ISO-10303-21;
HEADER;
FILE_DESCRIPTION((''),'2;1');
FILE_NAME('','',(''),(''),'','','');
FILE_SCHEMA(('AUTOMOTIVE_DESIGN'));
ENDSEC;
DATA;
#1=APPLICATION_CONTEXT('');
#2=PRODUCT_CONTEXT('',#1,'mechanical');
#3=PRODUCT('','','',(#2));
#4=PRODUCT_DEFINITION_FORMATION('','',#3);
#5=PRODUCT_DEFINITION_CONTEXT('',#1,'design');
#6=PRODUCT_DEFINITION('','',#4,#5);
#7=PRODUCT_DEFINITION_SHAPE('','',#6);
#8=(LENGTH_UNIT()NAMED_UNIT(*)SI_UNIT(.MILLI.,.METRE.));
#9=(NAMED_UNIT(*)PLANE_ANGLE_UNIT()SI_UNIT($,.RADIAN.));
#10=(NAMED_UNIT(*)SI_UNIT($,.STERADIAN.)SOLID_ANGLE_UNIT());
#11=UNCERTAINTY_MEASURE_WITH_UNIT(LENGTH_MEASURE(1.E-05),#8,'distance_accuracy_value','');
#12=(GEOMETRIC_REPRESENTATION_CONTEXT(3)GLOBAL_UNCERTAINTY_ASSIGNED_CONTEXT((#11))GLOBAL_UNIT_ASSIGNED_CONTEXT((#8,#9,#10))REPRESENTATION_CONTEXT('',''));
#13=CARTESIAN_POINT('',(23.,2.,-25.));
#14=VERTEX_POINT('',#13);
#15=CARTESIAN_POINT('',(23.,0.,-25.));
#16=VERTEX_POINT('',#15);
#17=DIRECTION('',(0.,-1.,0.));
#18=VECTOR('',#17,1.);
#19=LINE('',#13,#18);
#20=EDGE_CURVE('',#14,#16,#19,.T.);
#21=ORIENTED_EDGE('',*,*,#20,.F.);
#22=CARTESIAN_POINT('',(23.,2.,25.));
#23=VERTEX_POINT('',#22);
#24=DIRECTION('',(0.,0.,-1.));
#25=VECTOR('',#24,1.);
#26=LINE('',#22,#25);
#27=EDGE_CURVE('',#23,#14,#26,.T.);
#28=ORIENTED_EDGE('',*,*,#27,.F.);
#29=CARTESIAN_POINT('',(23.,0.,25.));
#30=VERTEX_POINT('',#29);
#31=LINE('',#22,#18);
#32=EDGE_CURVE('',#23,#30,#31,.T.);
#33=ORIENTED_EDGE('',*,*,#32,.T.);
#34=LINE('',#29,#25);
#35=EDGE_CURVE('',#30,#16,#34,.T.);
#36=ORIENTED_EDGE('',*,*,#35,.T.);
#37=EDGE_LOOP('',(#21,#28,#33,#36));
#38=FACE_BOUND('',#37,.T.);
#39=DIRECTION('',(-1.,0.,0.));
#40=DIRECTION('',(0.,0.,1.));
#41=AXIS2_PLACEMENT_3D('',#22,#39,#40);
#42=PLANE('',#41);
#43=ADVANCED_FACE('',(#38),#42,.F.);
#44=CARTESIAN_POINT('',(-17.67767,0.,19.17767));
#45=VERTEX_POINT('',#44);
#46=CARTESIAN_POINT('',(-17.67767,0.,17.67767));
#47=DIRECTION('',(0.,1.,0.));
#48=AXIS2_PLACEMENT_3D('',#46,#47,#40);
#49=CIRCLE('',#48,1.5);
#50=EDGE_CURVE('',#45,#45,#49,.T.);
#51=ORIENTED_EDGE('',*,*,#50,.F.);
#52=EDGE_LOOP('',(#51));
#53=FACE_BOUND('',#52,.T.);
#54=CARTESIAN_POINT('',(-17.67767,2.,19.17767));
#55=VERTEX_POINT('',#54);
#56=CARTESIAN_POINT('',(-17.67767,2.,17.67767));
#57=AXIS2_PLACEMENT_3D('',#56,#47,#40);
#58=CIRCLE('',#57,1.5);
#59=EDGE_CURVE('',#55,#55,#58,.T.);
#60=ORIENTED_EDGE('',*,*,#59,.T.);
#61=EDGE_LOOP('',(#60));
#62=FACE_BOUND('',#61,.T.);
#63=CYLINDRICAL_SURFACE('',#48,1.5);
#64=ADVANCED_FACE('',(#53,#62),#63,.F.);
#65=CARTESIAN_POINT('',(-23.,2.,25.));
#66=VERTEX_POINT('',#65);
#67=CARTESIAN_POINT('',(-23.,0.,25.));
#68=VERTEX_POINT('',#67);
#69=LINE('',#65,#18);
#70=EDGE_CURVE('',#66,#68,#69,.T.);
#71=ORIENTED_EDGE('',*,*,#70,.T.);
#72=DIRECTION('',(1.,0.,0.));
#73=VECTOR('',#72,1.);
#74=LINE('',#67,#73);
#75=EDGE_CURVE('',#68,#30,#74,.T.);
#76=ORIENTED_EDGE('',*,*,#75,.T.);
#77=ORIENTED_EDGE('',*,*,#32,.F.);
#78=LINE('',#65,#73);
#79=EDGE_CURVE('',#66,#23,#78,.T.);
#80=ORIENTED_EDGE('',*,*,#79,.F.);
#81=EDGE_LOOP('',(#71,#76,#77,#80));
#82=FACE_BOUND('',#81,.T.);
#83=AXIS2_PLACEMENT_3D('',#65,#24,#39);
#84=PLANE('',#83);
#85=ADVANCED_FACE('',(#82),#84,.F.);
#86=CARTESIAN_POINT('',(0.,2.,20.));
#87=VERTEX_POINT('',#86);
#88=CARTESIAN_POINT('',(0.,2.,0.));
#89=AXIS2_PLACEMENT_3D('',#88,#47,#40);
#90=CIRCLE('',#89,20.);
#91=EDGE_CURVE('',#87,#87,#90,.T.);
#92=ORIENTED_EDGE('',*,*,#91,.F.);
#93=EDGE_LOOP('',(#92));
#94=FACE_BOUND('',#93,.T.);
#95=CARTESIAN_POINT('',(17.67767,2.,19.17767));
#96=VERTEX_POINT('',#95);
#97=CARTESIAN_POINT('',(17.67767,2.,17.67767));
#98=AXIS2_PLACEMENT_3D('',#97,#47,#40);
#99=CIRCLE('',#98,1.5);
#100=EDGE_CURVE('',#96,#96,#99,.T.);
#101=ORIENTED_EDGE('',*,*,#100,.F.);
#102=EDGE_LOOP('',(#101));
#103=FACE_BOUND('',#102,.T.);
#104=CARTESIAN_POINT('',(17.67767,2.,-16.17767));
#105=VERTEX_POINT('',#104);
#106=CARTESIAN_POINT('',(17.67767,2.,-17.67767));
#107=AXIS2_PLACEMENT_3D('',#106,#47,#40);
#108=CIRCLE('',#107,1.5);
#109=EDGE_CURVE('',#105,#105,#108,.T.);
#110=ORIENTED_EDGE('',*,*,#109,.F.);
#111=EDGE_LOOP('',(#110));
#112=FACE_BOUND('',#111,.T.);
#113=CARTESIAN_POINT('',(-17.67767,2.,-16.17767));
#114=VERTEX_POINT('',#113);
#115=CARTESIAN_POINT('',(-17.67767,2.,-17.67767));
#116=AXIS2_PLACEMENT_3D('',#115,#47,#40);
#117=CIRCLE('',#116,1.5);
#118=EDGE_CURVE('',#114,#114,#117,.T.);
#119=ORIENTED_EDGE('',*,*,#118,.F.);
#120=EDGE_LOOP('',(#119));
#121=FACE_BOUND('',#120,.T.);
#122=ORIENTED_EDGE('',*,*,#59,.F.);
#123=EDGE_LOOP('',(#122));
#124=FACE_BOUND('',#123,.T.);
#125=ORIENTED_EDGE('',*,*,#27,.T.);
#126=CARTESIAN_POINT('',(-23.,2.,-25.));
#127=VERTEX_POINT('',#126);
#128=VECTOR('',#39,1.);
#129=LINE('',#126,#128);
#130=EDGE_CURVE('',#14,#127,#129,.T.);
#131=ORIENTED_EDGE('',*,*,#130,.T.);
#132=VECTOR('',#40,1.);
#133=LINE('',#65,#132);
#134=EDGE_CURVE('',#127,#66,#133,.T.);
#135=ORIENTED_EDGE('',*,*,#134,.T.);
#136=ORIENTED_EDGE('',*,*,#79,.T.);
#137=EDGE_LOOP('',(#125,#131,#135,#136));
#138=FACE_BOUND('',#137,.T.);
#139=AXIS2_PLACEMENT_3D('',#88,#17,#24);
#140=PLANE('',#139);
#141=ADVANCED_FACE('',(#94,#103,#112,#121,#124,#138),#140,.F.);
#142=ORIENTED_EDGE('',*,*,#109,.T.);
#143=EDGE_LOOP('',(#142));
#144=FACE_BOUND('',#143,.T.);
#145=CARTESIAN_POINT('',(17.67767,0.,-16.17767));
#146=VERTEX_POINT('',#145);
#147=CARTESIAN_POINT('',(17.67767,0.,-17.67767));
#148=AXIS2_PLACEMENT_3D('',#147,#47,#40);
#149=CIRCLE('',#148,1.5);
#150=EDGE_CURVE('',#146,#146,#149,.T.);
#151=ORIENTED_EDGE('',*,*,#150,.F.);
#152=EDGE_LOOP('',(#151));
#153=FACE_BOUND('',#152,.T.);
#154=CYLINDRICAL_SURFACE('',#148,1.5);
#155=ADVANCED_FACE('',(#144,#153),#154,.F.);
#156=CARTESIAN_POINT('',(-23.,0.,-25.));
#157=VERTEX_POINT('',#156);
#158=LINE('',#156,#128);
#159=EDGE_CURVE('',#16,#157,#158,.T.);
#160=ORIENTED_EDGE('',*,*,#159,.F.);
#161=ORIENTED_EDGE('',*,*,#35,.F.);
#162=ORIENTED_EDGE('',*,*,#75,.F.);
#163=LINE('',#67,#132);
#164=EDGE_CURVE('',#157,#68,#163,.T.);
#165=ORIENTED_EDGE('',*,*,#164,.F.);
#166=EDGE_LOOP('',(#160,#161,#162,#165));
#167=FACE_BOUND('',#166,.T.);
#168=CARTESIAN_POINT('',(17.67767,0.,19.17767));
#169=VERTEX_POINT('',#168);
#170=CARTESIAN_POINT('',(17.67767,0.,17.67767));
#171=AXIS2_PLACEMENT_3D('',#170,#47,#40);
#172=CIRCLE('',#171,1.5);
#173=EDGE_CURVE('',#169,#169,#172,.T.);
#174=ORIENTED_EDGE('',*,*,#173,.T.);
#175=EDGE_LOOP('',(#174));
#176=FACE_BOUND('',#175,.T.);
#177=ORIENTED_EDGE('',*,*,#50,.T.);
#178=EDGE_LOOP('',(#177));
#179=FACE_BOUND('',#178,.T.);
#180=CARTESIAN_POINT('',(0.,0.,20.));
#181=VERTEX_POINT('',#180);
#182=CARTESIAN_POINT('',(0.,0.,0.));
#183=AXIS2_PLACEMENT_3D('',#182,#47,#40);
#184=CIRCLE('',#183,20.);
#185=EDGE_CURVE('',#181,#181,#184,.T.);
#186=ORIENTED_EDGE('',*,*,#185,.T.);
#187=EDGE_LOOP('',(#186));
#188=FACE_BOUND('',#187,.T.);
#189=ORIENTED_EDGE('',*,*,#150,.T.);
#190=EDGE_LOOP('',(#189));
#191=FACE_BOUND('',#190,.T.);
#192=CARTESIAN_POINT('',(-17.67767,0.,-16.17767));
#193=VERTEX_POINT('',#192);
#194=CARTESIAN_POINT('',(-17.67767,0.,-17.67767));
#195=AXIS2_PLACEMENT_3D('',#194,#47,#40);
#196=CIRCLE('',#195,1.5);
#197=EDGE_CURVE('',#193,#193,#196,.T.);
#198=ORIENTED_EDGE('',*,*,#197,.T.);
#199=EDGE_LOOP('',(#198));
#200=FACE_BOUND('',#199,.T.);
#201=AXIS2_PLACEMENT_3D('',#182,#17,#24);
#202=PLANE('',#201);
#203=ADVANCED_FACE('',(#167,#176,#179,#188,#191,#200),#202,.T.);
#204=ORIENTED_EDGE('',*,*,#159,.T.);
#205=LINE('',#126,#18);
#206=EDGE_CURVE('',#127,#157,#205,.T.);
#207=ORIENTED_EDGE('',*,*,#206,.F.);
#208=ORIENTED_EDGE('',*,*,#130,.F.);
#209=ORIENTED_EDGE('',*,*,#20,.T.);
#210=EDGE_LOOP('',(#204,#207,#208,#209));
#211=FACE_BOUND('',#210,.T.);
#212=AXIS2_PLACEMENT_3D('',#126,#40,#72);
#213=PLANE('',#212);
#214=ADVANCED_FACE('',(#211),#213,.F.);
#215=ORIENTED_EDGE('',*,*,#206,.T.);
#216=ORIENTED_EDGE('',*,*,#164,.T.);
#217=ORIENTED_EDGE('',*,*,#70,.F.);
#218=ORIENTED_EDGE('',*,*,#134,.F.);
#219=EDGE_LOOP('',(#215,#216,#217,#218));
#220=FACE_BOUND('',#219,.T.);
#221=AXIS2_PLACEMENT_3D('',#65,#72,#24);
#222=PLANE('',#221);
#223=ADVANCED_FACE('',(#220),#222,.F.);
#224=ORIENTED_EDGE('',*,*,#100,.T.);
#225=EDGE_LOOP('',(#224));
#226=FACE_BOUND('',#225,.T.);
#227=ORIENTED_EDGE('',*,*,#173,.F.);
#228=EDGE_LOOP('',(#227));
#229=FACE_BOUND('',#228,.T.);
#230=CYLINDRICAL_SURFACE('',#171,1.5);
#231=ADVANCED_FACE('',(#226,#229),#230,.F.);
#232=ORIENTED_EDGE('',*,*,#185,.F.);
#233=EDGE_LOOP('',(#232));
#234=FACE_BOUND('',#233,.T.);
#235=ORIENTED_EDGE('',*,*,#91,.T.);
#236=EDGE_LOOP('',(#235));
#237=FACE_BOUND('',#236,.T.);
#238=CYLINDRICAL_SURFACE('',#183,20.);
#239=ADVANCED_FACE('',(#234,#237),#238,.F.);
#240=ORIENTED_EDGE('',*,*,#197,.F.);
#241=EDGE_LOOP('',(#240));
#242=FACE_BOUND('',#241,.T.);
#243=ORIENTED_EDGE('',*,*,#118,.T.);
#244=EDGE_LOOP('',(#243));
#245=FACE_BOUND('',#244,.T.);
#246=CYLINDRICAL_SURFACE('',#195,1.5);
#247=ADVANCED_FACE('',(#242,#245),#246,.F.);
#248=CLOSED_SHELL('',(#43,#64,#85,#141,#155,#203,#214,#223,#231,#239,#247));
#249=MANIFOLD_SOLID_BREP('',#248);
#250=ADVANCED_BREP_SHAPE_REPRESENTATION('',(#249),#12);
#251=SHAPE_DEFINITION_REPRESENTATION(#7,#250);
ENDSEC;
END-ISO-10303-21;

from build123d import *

# Parameters (mm, degrees)
SKETCH1_W           = 46
SKETCH1_H           = 50
BOSS_EXTRUDE1_DEPTH = 2
SKETCH2_R           = 20
CUT_EXTRUDE1_DEPTH  = 35.029399054
SKETCH3_R           = 1.5
CUT_EXTRUDE2_DEPTH  = 35.029399054


with BuildPart() as part:
    # Sketch1 → Boss-Extrude1 (new body)
    with BuildSketch(Plane(origin=(0, 0, 0), x_dir=(1, 0, 0), z_dir=(0, 1, 0))):
        Rectangle(SKETCH1_W, SKETCH1_H)
    extrude(amount=BOSS_EXTRUDE1_DEPTH)

    # Sketch2 → Cut-Extrude1 (cut, through all)
    with BuildSketch(Plane(origin=(0, 2, 0), x_dir=(1, 0, 0), z_dir=(0, 1, 0))):
        with Locations(Location((0, 0, 0), (0, 0, 270))):
            Circle(SKETCH2_R)
    extrude(amount=-CUT_EXTRUDE1_DEPTH, mode=Mode.SUBTRACT)

    # Sketch3 → Cut-Extrude2 (cut, through all)
    with BuildSketch(Plane(origin=(0, 2, 0), x_dir=(1, 0, 0), z_dir=(0, 1, 0))):
        with Locations(Location((-17.67766953, 17.67766953, 0), (0, 0, 270))):
            Circle(SKETCH3_R)
        with Locations(Location((-17.67766953, -17.67766953, 0), (0, 0, 270))):
            Circle(SKETCH3_R)
        with Locations(Location((17.67766953, -17.67766953, 0), (0, 0, 270))):
            Circle(SKETCH3_R)
        with Locations(Location((17.67766953, 17.67766953, 0), (0, 0, 270))):
            Circle(SKETCH3_R)
    extrude(amount=-CUT_EXTRUDE2_DEPTH, mode=Mode.SUBTRACT)


solid = part.part
